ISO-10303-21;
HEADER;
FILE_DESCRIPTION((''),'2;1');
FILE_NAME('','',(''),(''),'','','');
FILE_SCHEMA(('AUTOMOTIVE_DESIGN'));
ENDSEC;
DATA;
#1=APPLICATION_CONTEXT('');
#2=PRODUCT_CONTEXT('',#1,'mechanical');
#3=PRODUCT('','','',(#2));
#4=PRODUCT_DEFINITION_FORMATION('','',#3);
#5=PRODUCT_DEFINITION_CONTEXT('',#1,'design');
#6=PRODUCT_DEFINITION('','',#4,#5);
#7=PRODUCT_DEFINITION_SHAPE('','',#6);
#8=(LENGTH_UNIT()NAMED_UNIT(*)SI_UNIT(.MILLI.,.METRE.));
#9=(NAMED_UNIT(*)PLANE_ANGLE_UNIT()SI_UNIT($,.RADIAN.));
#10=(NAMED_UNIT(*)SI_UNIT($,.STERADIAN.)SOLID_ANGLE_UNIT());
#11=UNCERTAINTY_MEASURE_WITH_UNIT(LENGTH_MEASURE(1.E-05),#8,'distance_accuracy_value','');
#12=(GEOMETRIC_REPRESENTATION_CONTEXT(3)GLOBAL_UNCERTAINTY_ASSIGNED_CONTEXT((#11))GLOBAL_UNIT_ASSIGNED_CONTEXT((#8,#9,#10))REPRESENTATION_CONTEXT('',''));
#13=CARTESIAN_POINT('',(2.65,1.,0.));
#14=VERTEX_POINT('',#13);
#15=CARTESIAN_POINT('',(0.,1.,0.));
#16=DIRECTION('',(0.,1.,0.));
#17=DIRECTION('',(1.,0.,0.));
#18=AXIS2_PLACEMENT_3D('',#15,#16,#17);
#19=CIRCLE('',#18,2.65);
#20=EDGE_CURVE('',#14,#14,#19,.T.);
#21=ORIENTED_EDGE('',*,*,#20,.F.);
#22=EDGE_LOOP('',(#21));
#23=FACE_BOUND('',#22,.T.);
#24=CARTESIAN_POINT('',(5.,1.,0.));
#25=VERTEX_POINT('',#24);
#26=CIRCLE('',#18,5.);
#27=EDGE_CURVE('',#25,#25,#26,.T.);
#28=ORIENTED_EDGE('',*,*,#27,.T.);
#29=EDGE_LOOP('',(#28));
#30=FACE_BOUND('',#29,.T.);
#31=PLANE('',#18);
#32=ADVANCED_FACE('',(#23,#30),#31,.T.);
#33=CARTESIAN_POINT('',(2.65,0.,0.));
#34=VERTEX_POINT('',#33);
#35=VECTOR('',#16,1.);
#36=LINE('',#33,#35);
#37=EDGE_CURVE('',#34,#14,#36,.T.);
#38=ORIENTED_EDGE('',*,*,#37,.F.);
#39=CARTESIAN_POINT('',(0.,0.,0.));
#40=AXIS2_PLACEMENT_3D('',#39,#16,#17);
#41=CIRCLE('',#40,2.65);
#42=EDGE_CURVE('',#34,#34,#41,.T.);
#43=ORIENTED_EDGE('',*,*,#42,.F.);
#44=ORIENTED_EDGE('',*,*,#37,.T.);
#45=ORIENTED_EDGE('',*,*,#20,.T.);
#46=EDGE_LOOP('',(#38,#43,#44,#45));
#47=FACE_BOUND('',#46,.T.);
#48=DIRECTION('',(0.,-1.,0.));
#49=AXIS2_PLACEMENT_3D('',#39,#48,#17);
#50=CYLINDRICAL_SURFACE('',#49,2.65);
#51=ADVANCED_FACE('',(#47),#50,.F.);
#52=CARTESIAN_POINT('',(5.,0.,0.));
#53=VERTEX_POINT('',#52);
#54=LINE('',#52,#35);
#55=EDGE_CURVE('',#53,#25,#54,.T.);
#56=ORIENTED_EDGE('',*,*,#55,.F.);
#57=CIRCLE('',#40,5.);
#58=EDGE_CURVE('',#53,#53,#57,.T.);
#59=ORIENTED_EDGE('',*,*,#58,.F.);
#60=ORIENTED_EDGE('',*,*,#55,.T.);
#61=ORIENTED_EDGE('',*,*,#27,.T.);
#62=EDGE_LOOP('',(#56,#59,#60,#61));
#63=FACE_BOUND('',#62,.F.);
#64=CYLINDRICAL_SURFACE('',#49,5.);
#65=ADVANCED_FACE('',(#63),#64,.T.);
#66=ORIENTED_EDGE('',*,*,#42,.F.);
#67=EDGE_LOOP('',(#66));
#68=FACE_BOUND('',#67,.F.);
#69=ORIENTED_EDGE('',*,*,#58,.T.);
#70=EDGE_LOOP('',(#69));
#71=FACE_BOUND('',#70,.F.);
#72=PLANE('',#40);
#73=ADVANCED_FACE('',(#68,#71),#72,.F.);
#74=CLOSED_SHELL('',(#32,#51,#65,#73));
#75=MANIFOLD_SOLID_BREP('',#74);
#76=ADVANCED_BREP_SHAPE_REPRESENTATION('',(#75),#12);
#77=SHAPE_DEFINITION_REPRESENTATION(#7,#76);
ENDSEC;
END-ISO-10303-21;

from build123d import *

# Parameters (mm, degrees)
SZKIC1_R                    = 5
SZKIC1_R_2                  = 2.65
DODANIE_WYCI_GNI_CIE1_DEPTH = 1


with BuildPart() as part:
    # Szkic1 → Dodanie-wyciągnięcie1 (new body)
    with BuildSketch(Plane(origin=(0, 0, 0), x_dir=(1, 0, 0), z_dir=(0, 1, 0))):
        Circle(SZKIC1_R)
        Circle(SZKIC1_R_2, mode=Mode.SUBTRACT)
    extrude(amount=DODANIE_WYCI_GNI_CIE1_DEPTH)


solid = part.part
